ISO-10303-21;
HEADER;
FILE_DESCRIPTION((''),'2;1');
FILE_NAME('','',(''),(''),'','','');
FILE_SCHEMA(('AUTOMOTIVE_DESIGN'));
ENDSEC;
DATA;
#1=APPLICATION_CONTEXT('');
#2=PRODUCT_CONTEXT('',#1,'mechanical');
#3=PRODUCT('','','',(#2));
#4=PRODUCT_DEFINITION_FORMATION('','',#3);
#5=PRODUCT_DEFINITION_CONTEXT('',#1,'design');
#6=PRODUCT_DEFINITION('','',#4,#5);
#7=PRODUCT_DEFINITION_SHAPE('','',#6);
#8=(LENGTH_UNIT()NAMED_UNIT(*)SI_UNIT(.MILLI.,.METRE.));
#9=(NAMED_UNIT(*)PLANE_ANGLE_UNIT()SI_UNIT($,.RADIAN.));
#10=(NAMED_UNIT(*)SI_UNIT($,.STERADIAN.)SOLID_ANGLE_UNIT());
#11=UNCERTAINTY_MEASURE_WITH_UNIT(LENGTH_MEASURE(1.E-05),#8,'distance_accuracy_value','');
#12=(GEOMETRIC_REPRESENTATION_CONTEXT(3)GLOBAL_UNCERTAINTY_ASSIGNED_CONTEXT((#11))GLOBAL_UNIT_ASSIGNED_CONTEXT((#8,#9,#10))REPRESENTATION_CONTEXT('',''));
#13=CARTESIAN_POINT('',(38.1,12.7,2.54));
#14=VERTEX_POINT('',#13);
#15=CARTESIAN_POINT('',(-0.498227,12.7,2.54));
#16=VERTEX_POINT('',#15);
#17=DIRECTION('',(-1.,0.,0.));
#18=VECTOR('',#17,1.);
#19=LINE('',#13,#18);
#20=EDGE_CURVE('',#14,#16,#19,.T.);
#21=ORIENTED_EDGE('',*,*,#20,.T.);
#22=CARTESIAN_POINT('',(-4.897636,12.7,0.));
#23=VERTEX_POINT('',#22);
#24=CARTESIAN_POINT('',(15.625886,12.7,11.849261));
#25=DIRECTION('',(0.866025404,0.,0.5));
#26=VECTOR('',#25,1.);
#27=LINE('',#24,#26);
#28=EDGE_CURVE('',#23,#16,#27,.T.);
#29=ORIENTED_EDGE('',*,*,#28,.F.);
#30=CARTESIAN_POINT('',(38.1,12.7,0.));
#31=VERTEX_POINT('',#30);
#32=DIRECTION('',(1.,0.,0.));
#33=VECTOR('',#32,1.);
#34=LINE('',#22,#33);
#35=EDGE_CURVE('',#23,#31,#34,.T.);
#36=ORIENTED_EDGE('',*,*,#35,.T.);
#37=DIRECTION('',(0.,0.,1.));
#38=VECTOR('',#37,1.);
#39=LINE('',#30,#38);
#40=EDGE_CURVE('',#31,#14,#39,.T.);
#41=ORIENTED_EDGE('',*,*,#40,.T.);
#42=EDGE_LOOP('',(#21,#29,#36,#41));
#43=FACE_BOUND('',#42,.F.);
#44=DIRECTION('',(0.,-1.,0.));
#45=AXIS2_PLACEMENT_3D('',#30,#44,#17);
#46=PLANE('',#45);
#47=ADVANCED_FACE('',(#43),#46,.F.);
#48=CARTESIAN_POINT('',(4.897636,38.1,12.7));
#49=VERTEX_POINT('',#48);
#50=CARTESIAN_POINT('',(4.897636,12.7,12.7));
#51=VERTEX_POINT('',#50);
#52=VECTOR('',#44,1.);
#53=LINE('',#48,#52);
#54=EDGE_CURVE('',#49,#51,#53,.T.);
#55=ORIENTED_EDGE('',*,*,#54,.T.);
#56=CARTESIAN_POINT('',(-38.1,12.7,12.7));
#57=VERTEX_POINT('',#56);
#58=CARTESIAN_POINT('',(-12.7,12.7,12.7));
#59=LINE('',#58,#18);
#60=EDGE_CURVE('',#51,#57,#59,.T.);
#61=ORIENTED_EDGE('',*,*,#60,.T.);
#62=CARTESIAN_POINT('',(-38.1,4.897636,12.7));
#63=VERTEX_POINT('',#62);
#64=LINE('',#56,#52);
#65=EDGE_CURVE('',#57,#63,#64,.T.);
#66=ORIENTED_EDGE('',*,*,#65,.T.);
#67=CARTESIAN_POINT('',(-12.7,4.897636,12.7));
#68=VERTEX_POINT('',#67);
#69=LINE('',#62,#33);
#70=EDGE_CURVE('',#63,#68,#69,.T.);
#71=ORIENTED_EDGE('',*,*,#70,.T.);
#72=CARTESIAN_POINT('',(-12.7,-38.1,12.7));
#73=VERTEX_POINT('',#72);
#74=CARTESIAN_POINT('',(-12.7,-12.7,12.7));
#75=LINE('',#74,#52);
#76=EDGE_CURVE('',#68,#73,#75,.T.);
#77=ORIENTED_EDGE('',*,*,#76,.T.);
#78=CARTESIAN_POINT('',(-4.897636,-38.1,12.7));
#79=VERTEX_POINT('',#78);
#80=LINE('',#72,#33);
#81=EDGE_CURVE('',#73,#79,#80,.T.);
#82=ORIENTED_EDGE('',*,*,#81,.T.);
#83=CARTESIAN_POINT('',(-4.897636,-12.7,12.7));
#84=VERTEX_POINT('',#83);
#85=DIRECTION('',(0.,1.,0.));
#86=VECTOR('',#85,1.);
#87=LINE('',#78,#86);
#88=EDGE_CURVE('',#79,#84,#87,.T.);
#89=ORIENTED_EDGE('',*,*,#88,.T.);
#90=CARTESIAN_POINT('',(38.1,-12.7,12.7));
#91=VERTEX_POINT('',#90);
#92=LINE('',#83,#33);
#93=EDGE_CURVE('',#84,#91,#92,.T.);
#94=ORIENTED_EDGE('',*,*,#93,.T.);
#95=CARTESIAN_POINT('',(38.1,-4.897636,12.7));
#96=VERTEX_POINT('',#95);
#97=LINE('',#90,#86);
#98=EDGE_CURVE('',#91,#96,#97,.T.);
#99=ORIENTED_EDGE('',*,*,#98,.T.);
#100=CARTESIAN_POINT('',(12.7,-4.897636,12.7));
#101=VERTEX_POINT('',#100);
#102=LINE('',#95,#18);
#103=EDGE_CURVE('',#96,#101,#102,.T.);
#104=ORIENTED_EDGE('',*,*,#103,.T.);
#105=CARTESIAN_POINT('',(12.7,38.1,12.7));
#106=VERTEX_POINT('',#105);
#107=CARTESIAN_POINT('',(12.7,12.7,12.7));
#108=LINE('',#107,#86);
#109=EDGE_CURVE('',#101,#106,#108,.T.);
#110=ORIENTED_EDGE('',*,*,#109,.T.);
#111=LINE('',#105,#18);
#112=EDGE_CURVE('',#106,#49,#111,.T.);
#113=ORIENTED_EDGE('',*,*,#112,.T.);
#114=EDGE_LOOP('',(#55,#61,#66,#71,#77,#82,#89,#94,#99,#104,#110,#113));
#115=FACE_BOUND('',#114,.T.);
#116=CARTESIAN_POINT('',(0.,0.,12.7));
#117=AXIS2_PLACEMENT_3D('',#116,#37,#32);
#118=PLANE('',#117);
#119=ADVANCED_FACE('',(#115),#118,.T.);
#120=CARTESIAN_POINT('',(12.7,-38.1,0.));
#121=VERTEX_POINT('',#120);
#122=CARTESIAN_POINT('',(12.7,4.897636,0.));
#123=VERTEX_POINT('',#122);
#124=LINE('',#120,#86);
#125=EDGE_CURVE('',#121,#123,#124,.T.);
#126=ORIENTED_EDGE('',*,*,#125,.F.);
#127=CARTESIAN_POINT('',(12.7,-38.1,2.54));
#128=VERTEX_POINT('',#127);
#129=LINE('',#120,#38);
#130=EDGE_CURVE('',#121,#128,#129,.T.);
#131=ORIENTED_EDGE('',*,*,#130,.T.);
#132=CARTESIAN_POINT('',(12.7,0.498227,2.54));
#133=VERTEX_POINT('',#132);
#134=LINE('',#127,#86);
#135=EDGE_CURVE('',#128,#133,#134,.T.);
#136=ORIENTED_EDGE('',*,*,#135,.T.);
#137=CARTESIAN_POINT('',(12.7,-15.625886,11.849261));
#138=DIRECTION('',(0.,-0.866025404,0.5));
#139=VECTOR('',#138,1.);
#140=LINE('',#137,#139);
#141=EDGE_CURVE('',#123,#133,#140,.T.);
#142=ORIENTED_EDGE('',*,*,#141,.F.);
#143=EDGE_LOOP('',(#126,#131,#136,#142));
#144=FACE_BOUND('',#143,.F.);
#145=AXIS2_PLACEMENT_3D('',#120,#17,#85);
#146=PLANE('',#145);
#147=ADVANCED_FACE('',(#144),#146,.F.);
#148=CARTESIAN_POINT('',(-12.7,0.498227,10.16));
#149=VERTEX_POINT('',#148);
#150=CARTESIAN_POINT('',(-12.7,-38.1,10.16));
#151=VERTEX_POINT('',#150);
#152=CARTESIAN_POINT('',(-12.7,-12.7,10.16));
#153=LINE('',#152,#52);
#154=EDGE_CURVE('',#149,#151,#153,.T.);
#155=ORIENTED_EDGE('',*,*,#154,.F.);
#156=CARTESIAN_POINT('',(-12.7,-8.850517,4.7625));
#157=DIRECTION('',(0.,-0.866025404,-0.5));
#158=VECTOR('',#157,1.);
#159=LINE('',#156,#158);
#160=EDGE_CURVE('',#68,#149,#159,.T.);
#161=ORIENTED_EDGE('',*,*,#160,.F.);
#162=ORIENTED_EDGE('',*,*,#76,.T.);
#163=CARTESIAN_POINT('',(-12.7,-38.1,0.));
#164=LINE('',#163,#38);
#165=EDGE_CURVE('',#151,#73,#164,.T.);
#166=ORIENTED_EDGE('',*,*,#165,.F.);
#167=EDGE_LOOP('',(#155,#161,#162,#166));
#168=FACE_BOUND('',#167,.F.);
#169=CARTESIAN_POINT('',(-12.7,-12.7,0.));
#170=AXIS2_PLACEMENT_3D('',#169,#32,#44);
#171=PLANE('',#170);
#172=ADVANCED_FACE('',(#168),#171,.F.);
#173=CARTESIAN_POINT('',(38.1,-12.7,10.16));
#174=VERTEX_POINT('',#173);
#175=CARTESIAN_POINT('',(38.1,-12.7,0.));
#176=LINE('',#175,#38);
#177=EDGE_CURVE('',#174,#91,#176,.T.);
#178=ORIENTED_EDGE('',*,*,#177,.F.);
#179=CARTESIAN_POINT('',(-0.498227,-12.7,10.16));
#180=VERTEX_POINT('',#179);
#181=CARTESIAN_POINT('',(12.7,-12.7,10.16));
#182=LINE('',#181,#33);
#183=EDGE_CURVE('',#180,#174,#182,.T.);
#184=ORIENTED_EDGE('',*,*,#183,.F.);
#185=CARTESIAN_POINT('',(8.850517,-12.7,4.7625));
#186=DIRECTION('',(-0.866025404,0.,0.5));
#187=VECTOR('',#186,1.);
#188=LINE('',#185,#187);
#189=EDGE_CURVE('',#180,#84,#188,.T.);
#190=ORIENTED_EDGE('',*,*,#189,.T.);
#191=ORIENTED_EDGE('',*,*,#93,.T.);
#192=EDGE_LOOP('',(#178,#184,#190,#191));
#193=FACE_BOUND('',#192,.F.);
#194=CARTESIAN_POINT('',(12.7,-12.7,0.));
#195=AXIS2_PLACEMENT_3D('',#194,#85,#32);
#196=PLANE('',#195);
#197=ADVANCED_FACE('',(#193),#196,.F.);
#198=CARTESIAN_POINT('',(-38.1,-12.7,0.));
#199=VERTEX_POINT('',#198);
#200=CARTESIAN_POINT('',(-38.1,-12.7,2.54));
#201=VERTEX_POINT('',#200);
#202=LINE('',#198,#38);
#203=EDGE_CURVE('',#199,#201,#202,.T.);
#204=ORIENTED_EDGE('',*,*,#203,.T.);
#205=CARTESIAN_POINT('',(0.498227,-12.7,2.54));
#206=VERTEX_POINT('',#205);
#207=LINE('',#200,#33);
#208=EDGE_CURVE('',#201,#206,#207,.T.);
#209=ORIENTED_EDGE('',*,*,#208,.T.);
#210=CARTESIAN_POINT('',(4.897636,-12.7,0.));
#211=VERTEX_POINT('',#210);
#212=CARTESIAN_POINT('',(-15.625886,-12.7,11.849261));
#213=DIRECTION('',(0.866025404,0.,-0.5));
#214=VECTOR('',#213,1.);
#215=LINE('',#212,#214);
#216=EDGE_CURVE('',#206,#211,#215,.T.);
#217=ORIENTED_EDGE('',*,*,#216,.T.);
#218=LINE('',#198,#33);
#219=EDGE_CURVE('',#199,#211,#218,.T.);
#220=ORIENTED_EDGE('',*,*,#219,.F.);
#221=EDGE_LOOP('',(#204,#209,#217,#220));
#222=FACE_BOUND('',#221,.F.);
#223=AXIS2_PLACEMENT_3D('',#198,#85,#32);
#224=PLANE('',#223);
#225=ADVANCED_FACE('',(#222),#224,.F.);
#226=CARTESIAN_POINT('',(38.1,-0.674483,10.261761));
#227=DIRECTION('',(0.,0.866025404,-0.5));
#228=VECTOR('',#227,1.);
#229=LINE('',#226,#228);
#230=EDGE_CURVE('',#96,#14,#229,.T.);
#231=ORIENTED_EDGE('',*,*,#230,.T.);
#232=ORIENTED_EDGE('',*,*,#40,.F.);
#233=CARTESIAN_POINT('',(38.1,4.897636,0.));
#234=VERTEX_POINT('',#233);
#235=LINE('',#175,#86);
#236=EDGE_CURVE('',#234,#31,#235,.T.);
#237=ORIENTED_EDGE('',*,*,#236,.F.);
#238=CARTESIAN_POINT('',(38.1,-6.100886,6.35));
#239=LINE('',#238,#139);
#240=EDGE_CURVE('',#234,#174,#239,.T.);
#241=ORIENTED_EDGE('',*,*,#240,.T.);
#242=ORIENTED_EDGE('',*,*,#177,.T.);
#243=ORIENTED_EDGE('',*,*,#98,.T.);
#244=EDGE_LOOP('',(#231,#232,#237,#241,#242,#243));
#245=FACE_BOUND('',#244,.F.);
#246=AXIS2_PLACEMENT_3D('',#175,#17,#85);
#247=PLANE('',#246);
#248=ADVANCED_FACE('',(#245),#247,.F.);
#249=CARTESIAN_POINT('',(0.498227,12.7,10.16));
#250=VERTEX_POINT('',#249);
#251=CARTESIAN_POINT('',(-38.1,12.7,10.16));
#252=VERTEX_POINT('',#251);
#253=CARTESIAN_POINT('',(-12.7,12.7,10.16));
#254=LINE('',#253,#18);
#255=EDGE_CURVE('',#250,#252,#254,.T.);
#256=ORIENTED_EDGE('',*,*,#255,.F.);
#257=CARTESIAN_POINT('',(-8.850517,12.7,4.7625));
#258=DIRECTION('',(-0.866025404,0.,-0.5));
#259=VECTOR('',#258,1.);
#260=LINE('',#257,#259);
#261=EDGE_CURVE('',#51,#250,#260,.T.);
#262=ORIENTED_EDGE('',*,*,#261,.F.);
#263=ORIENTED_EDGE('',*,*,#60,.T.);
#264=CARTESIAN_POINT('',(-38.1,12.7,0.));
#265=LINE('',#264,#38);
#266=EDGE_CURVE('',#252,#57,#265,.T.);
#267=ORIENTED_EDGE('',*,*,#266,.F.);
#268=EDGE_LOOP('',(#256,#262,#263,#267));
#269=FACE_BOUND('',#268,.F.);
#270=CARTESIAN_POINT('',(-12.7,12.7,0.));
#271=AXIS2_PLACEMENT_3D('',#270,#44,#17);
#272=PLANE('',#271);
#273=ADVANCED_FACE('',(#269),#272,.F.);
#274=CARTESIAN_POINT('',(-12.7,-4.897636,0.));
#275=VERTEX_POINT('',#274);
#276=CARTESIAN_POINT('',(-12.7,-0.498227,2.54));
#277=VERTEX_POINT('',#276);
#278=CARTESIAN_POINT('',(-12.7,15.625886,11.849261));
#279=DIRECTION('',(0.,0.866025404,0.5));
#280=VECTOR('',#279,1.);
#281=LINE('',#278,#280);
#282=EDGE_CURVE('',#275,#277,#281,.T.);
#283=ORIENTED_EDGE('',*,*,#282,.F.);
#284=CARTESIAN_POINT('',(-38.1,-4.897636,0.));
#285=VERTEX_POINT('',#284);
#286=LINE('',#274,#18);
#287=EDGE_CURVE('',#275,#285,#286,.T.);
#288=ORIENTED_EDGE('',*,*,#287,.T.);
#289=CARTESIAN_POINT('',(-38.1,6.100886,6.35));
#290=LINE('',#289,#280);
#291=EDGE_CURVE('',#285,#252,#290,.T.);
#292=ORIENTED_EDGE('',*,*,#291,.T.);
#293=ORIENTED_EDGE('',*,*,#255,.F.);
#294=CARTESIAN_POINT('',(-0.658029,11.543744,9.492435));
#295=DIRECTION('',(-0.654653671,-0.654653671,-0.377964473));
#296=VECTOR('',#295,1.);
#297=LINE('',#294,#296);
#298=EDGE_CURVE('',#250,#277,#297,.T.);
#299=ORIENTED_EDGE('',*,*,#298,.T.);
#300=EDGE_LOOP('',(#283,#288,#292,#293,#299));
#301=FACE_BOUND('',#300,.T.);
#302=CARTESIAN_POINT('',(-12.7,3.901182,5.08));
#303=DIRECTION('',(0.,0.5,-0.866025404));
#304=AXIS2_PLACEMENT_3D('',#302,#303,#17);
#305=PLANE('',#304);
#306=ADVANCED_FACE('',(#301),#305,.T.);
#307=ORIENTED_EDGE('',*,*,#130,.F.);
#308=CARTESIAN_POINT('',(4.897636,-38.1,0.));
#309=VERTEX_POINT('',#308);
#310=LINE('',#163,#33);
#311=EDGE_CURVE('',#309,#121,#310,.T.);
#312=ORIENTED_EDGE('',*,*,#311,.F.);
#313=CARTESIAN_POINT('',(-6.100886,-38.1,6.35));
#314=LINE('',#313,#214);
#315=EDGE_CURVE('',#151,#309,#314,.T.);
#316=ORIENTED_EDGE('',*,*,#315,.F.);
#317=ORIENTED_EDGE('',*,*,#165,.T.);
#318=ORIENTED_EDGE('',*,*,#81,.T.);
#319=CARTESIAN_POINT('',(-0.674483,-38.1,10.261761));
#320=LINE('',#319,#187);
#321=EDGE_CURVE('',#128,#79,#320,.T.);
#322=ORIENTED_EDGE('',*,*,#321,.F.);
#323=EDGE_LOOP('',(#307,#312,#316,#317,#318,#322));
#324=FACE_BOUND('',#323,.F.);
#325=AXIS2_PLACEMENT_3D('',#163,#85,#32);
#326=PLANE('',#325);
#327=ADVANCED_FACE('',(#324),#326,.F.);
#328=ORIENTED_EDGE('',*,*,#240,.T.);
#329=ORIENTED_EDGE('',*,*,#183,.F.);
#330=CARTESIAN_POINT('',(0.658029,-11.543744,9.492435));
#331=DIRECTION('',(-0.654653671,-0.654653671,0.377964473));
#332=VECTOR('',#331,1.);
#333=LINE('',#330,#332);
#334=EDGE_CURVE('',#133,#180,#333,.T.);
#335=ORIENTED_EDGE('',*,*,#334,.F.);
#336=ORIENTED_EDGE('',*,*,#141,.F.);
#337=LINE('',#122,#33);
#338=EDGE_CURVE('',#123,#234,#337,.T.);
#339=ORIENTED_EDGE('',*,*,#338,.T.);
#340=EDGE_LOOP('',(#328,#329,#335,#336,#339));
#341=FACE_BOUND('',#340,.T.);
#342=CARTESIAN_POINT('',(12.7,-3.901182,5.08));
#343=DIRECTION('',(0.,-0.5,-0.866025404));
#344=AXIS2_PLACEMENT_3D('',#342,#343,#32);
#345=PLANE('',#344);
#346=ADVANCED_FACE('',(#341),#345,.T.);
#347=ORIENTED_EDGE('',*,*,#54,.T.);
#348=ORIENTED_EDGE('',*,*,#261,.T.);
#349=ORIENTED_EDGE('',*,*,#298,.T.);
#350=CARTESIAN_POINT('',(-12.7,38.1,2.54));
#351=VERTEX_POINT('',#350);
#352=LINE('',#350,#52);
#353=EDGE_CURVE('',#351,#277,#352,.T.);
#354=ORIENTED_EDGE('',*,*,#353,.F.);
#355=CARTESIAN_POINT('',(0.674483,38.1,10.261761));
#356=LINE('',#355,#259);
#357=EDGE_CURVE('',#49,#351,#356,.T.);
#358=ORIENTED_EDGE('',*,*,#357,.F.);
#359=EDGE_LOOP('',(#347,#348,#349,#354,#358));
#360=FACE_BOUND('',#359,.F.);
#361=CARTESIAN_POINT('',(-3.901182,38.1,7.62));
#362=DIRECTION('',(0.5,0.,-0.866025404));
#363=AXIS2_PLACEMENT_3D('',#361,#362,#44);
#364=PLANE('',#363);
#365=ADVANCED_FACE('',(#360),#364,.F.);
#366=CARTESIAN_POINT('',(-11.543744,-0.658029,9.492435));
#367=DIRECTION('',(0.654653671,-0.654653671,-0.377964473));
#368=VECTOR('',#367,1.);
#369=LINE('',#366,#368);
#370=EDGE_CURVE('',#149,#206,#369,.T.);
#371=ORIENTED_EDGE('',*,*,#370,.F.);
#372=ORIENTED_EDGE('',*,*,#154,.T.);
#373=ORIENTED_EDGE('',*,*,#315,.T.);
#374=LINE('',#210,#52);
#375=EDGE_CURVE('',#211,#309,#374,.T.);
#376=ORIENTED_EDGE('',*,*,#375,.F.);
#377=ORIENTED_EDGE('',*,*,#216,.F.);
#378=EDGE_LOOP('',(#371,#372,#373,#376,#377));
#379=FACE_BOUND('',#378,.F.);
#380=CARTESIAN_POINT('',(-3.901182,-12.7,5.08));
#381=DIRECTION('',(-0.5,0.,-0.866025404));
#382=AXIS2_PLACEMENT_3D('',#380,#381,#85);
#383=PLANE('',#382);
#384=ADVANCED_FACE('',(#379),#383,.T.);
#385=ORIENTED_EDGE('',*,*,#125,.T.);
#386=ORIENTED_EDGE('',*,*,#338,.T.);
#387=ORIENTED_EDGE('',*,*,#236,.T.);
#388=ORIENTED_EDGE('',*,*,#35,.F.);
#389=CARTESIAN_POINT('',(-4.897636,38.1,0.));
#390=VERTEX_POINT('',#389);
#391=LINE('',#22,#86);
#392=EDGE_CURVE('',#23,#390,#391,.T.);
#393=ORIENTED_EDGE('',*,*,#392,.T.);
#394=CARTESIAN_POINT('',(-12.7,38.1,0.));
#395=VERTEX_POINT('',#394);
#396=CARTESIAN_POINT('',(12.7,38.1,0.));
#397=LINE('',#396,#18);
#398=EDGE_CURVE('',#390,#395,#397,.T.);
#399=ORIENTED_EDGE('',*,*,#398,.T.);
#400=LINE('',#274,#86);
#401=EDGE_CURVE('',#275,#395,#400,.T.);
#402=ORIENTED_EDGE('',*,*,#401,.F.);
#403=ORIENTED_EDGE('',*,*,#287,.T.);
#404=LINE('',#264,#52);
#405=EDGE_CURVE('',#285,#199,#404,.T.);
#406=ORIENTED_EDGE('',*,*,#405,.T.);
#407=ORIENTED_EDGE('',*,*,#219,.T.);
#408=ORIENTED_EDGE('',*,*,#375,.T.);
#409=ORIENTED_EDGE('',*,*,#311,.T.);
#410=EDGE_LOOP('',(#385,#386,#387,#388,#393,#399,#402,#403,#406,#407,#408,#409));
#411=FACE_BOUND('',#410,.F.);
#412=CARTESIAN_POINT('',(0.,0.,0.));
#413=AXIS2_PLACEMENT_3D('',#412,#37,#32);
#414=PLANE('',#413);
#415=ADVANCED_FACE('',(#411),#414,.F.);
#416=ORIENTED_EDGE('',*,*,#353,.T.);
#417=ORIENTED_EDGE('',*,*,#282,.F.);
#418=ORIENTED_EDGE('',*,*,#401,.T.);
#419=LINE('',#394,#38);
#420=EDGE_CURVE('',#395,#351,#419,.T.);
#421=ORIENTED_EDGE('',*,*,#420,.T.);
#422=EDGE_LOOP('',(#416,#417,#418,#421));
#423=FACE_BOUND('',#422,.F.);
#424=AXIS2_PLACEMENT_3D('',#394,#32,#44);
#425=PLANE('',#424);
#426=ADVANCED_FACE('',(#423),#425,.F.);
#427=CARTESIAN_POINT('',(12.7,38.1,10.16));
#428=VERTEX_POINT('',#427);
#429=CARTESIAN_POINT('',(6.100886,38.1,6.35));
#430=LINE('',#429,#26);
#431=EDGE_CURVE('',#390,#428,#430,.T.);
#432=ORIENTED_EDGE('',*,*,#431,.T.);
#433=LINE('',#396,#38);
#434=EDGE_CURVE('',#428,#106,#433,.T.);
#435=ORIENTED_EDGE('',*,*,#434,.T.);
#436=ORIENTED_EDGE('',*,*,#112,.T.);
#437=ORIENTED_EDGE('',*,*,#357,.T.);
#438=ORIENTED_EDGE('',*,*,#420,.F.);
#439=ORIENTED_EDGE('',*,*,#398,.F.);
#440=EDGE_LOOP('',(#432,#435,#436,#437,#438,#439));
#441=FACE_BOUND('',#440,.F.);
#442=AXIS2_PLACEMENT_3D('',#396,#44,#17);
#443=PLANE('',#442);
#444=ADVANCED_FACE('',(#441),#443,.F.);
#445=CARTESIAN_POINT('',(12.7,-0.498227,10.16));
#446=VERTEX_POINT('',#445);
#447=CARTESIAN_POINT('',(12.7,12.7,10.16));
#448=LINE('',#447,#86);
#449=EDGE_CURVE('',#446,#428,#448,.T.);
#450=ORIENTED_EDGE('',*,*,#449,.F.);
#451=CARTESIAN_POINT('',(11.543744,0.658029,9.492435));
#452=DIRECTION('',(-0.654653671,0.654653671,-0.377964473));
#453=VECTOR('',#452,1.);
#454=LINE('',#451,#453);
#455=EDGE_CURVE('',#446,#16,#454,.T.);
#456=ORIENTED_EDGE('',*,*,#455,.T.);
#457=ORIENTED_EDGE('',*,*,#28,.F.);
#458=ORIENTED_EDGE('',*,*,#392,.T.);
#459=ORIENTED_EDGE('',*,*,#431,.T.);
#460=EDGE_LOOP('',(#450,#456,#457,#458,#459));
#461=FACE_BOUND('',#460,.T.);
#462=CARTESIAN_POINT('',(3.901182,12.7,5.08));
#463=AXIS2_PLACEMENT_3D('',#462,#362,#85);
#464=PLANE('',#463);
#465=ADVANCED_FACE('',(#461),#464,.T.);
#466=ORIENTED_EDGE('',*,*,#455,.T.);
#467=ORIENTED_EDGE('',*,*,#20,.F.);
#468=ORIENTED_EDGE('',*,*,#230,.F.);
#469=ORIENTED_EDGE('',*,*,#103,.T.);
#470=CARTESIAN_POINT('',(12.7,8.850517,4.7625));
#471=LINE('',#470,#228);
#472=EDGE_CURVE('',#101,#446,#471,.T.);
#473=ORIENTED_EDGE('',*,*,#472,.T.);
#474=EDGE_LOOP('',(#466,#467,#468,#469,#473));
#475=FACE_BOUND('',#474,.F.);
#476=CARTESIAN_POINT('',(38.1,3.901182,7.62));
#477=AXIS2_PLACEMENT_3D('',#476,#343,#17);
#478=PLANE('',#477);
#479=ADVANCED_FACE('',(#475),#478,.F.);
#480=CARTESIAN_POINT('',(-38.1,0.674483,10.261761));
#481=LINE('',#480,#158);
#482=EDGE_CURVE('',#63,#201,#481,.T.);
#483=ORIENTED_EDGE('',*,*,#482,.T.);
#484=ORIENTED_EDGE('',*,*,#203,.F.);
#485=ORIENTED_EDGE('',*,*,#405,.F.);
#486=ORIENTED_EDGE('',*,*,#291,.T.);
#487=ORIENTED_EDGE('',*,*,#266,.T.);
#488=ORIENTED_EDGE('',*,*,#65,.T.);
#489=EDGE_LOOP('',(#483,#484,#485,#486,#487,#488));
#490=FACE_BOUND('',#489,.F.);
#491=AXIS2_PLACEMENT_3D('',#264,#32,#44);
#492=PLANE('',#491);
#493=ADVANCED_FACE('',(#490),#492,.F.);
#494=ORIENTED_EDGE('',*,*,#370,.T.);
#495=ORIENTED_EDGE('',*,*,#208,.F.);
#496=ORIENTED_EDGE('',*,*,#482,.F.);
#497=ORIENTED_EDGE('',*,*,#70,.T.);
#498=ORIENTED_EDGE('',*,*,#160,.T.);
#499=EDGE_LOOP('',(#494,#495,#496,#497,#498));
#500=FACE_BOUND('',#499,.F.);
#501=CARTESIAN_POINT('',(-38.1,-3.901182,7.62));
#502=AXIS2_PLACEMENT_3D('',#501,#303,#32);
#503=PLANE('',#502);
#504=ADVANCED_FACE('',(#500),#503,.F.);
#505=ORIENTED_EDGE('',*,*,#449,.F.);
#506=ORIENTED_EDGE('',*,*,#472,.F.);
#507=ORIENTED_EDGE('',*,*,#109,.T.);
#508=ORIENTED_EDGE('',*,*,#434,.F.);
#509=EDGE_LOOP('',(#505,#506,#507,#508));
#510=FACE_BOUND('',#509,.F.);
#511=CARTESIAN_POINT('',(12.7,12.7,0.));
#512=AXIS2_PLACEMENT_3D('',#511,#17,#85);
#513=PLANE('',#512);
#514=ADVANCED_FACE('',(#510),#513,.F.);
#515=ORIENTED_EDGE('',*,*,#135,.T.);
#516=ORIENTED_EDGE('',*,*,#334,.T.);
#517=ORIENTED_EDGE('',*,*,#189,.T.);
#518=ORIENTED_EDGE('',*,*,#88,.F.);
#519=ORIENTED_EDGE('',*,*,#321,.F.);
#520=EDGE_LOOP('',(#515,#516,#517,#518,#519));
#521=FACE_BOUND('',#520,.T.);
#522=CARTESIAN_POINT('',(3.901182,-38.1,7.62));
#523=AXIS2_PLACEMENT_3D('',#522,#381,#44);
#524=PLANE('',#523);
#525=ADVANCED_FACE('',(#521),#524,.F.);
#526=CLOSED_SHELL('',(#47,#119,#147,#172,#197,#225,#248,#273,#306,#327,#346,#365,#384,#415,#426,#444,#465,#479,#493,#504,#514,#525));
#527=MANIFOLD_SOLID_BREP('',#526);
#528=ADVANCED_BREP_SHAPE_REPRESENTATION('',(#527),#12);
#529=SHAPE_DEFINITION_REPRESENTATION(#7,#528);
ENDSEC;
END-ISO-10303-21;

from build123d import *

# Parameters (mm, degrees)
F1_DEPTH   = 12.7
F2_SIZE2   = 17.5976362049
F2_SIZE    = 10.16
F2_2_SIZE2 = 17.5976362049
F2_2_SIZE  = 10.16
F3_SIZE2   = 10.16
F3_SIZE    = 17.5976362049
F3_2_SIZE2 = 10.16
F3_2_SIZE  = 17.5976362049
F4_SIZE2   = 10.16
F4_SIZE    = 17.5976362049


with BuildPart() as f1:
    # F0 (on Top) → F1 (new body)
    with BuildSketch(Plane.XY):
        Polygon((12.7, 38.1), (-12.7, 38.1), (-12.7, 12.7), (-38.1, 12.7), (-38.1, -12.7), (-12.7, -12.7), (-12.7, -38.1), (12.7, -38.1), (12.7, -12.7), (38.1, -12.7), (38.1, 12.7), (12.7, 12.7), align=None)
    extrude(amount=F1_DEPTH)

    # F2
    f2_edges = [f1.edges().sort_by_distance(p)[0] for p in [
        (-12.7, -25.4, 0),
    ]]
    f2_side = f1.faces().sort_by_distance((-12.7, -25.4, 6.35))[0]
    chamfer(f2_edges, length=F2_SIZE, length2=F2_SIZE2, reference=f2_side)

    # F2#2
    f2_2_edges = [f1.edges().sort_by_distance(p)[0] for p in [
        (12.7, -25.4, 12.7),
    ]]
    f2_2_side = f1.faces().sort_by_distance((12.7, -25.4, 6.35))[0]
    chamfer(f2_2_edges, length=F2_2_SIZE, length2=F2_2_SIZE2, reference=f2_2_side)

    # F3
    f3_edges = [f1.edges().sort_by_distance(p)[0] for p in [
        (-25.4, 12.7, 0),
        (12.7, 25.4, 0),
        (25.4, -12.7, 0),
    ]]
    f3_side = f1.faces().sort_by_distance((0.627515, 4.085652, 0))[0]
    chamfer(f3_edges, length=F3_SIZE, length2=F3_SIZE2, reference=f3_side)

    # F3#2
    f3_2_edges = [f1.edges().sort_by_distance(p)[0] for p in [
        (-25.4, -12.7, 12.7),
    ]]
    f3_2_side = f1.faces().sort_by_distance((-0.627515, 4.085652, 12.7))[0]
    chamfer(f3_2_edges, length=F3_2_SIZE, length2=F3_2_SIZE2, reference=f3_2_side)

    # F4
    f4_edges = [f1.edges().sort_by_distance(p)[0] for p in [
        (-12.7, 25.4, 12.7),
        (25.4, 12.7, 12.7),
    ]]
    f4_side = f1.faces().sort_by_distance((4.121012, 5.616612, 12.7))[0]
    chamfer(f4_edges, length=F4_SIZE, length2=F4_SIZE2, reference=f4_side)


solid = f1.part
